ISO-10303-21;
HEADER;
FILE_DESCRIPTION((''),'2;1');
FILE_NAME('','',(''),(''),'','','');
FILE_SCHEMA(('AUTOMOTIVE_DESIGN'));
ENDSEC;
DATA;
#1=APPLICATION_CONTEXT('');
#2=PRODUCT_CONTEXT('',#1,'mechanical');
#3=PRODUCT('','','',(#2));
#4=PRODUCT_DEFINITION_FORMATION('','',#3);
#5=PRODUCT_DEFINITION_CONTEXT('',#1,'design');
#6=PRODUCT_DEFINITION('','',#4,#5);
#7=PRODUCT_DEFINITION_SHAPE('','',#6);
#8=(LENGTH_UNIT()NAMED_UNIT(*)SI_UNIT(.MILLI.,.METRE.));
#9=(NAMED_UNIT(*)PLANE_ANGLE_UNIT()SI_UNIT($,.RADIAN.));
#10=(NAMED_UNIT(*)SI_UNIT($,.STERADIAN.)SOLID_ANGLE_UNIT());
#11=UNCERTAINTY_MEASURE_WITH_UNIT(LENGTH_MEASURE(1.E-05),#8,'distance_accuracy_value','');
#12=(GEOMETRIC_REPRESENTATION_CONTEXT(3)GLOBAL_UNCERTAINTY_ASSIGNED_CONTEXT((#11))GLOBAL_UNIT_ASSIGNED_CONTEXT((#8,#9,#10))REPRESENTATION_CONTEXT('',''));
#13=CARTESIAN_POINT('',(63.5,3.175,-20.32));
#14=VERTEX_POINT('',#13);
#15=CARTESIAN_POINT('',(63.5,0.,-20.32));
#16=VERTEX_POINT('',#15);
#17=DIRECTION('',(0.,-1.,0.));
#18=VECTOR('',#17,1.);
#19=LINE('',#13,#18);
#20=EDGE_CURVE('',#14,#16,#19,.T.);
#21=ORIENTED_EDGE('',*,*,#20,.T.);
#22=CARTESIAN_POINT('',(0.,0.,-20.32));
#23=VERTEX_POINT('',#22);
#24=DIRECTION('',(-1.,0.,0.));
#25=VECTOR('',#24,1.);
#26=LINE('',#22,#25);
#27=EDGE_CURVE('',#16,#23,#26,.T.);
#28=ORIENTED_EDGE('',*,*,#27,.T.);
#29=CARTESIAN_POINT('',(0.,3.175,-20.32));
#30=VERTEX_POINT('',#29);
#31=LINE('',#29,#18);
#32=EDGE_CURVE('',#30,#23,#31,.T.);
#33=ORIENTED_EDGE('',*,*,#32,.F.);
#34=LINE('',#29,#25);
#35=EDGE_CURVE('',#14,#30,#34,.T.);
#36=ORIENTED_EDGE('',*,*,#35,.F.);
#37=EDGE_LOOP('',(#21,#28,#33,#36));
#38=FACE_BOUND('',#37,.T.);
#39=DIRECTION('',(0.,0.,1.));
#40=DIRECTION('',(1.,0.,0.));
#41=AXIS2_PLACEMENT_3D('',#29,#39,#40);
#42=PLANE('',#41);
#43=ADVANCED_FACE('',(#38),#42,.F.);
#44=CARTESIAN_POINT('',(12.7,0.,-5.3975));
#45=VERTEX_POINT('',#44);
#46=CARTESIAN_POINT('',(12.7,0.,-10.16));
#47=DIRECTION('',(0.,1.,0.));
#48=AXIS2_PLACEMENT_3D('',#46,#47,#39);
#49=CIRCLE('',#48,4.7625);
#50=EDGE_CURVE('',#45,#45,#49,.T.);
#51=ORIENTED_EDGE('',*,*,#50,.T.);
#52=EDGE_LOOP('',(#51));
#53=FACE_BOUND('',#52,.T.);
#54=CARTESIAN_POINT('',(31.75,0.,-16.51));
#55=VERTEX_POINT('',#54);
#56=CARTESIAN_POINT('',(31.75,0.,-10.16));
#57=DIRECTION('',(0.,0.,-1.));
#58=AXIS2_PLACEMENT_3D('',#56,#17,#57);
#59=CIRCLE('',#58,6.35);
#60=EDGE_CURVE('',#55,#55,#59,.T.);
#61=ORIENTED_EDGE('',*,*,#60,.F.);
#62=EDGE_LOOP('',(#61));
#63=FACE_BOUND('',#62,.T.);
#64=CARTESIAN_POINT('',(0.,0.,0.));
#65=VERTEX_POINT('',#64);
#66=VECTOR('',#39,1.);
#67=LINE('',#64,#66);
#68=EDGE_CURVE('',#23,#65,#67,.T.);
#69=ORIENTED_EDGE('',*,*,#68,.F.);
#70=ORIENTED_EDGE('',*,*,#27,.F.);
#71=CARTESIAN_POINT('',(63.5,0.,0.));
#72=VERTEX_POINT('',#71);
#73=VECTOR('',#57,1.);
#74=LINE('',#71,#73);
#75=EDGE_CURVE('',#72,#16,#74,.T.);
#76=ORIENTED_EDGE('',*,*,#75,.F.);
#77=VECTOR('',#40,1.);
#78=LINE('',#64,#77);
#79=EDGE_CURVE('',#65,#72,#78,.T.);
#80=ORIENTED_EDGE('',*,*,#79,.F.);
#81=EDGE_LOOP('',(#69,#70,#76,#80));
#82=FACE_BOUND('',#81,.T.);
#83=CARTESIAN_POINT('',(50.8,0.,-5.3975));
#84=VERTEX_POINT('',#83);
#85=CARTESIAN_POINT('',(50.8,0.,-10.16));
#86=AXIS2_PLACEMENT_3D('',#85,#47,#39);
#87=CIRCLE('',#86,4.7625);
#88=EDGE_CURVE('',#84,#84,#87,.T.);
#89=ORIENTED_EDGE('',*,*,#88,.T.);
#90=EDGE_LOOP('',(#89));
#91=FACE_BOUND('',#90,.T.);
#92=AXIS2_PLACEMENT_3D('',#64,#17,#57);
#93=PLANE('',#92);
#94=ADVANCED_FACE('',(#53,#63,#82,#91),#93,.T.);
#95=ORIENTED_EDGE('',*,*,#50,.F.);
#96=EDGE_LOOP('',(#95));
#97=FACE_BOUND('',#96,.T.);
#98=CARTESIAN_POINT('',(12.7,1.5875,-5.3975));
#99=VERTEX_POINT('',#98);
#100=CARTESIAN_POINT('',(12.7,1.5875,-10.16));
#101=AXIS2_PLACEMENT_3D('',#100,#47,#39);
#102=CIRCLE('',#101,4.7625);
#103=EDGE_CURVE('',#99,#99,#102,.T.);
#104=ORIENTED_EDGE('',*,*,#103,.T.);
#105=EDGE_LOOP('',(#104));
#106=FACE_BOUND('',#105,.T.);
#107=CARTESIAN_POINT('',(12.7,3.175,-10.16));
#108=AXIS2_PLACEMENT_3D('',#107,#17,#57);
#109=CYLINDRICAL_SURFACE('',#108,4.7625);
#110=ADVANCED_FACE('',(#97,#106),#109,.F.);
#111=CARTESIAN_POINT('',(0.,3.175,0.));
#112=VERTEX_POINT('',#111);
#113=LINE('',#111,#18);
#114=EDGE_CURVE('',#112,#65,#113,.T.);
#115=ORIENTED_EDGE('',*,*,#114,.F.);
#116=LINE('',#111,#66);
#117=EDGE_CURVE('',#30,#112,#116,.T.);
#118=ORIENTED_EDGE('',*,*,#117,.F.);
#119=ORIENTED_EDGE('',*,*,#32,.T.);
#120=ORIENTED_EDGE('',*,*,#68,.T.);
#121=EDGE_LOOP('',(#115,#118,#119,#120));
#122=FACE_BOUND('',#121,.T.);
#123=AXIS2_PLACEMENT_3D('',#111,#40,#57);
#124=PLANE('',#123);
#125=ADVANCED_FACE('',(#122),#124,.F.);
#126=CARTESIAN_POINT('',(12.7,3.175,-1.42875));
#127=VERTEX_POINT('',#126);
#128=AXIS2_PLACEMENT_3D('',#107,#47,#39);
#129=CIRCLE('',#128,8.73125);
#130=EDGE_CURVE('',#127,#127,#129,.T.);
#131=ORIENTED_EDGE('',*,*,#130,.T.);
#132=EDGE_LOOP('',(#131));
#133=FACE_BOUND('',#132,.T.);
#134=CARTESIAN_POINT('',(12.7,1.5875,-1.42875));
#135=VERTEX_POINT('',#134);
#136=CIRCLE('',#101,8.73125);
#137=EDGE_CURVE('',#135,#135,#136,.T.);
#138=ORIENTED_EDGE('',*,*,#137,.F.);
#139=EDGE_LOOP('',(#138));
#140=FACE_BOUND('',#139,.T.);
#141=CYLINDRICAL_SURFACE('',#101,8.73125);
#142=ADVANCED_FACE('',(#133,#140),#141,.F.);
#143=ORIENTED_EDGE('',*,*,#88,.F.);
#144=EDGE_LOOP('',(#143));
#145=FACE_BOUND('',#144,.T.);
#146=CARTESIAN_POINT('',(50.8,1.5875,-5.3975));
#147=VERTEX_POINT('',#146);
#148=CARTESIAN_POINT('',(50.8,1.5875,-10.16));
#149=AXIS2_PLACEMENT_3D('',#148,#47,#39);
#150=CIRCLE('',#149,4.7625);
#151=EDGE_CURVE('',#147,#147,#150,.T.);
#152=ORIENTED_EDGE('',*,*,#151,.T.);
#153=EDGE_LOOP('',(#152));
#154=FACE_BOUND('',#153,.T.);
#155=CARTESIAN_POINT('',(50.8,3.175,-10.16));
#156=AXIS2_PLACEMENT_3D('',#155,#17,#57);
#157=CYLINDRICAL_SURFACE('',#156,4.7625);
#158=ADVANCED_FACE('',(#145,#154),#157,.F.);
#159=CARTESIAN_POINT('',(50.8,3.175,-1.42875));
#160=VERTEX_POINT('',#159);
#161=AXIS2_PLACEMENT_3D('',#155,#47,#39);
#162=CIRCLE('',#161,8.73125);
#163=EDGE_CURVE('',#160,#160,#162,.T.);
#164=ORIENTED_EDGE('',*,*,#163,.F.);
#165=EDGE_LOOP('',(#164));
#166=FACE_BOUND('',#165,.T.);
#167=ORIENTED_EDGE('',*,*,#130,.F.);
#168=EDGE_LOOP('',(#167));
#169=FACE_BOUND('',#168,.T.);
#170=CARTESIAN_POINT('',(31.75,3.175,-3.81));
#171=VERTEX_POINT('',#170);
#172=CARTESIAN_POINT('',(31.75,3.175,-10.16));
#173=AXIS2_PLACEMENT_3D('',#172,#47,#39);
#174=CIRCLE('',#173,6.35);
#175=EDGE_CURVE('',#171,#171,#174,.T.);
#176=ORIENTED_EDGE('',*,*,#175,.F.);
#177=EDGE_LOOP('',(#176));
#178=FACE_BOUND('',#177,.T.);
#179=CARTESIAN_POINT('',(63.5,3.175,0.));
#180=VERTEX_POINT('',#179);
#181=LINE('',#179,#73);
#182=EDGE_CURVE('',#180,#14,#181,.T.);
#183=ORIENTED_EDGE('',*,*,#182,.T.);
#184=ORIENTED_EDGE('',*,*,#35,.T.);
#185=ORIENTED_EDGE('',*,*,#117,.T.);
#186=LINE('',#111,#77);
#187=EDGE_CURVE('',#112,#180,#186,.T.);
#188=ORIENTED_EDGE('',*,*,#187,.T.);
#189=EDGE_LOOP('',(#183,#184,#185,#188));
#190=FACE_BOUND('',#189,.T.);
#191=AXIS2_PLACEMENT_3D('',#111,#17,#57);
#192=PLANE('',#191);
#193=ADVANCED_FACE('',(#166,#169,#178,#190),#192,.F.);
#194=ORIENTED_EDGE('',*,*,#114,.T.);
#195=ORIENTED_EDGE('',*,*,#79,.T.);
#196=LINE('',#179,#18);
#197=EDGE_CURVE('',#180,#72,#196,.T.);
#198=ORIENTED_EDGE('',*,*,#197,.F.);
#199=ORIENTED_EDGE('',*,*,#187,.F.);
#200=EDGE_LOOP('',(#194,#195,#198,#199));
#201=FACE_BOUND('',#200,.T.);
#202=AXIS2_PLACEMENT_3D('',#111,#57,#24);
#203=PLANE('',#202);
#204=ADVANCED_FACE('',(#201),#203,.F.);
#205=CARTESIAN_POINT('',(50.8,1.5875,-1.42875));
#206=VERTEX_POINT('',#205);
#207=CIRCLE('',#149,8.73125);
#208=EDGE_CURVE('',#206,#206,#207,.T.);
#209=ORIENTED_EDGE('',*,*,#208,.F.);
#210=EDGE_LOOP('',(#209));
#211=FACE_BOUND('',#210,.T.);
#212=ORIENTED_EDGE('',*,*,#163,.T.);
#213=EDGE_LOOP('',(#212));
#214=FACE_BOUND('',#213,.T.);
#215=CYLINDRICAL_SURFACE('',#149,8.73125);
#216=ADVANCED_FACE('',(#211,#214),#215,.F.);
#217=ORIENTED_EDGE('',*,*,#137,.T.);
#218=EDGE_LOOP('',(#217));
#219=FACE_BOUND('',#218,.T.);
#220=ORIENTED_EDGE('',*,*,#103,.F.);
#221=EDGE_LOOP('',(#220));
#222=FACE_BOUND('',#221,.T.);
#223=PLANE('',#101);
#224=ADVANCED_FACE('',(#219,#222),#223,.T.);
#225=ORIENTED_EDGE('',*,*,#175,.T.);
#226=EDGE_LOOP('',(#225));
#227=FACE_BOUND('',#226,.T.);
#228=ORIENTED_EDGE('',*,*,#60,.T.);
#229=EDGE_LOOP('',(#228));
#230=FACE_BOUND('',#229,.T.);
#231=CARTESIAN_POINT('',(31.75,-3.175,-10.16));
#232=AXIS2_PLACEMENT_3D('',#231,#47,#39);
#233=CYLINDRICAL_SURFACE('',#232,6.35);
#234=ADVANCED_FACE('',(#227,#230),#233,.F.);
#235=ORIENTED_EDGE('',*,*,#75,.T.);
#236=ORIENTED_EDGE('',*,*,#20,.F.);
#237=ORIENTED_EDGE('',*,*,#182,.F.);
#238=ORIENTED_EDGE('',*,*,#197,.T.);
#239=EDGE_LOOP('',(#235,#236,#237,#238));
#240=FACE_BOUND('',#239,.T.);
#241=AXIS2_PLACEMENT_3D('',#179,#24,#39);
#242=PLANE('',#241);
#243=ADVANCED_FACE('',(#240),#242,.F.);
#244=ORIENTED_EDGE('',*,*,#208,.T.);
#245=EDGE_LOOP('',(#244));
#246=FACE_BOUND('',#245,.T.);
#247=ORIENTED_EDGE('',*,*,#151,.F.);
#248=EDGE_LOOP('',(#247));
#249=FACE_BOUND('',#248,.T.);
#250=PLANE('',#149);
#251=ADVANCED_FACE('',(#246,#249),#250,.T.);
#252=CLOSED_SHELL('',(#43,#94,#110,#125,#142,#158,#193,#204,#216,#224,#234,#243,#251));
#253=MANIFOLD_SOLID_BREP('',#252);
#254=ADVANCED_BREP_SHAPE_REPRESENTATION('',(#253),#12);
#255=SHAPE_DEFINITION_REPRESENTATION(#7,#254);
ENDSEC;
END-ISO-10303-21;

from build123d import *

# Parameters (mm, degrees)
SKETCH1_W           = 63.5
SKETCH1_H           = 20.32
SKETCH1_R           = 4.7625
BOSS_EXTRUDE1_DEPTH = 3.175
SKETCH2_R           = 6.35
CUT_EXTRUDE1_DEPTH  = 6.35
SKETCH3_R           = 8.73125
CUT_EXTRUDE2_DEPTH  = 1.5875


with BuildPart() as part:
    # Sketch1 → Boss-Extrude1 (new body)
    with BuildSketch(Plane(origin=(0, 0, 0), x_dir=(1, 0, 0), z_dir=(0, 1, 0))):
        with Locations((31.75, 10.16)):
            Rectangle(SKETCH1_W, SKETCH1_H)
        with Locations(Location((12.7, 10.16, 0), (0, 0, 270))):
            Circle(SKETCH1_R, mode=Mode.SUBTRACT)
        with Locations(Location((50.8, 10.16, 0), (0, 0, 270))):
            Circle(SKETCH1_R, mode=Mode.SUBTRACT)
    extrude(amount=BOSS_EXTRUDE1_DEPTH)

    # Sketch2 → Cut-Extrude1 (cut)
    with BuildSketch(Plane(origin=(0, 3.175, 0), x_dir=(1, 0, 0), z_dir=(0, 1, 0))):
        with Locations(Location((31.75, 10.16, 0), (0, 0, 270))):
            Circle(SKETCH2_R)
    extrude(amount=-CUT_EXTRUDE1_DEPTH, mode=Mode.SUBTRACT)

    # Sketch3 → Cut-Extrude2 (cut)
    with BuildSketch(Plane(origin=(0, 3.175, 0), x_dir=(1, 0, 0), z_dir=(0, 1, 0))):
        with Locations(Location((12.7, 10.16, 0), (0, 0, 270))):
            Circle(SKETCH3_R)
        with Locations(Location((50.8, 10.16, 0), (0, 0, 270))):
            Circle(SKETCH3_R)
    extrude(amount=-CUT_EXTRUDE2_DEPTH, mode=Mode.SUBTRACT)


solid = part.part
